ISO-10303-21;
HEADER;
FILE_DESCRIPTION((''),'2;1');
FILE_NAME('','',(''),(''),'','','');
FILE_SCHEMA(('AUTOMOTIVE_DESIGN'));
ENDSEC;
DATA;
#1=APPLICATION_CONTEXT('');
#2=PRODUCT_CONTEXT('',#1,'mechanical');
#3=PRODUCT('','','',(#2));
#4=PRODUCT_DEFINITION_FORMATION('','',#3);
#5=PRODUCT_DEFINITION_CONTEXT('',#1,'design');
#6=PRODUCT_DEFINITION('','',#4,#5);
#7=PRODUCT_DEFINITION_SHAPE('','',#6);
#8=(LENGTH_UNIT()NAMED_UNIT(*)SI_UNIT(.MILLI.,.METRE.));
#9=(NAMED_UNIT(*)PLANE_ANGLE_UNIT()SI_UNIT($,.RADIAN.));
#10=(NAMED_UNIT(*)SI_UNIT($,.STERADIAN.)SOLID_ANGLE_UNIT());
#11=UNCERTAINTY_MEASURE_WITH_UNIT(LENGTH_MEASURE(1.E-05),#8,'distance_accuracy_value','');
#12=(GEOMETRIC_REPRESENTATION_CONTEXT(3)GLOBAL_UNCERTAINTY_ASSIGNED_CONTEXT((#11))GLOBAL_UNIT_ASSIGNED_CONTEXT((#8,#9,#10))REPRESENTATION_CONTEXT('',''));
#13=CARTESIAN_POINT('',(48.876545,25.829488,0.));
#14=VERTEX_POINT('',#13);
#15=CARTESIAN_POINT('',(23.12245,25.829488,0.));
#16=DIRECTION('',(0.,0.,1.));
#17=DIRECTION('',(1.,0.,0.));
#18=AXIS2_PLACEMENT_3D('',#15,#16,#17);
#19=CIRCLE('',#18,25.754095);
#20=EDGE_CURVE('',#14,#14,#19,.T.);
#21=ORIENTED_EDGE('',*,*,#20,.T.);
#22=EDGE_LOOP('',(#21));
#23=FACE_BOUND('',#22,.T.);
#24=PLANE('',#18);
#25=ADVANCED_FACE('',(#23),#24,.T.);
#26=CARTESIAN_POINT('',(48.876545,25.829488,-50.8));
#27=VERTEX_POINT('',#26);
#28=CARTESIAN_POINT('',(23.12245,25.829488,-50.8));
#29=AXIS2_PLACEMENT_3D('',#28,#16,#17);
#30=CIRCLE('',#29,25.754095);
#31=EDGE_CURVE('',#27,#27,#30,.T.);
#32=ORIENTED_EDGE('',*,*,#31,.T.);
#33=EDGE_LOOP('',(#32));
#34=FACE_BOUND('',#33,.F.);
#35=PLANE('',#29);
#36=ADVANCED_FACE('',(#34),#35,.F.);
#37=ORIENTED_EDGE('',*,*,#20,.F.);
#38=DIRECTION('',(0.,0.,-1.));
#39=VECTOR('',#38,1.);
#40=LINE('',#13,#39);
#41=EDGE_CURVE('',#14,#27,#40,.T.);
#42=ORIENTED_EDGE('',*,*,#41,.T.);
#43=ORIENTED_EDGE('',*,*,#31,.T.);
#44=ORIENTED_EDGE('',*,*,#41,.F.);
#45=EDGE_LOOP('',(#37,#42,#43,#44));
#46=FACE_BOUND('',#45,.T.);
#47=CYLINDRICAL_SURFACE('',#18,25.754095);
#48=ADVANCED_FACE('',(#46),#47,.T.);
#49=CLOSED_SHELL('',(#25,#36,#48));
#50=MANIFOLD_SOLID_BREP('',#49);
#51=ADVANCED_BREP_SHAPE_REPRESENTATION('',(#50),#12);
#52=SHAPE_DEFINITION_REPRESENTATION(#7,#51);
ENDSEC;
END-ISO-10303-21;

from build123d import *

# Parameters (mm, degrees)
F0_R     = 25.754095
F1_DEPTH = 50.8


with BuildPart() as f1:
    # F0 (on Top) → F1 (new body)
    with BuildSketch(Plane.XY):
        with Locations((23.12245, 25.829488)):
            Circle(F0_R)
    extrude(amount=-F1_DEPTH)


solid = f1.part
